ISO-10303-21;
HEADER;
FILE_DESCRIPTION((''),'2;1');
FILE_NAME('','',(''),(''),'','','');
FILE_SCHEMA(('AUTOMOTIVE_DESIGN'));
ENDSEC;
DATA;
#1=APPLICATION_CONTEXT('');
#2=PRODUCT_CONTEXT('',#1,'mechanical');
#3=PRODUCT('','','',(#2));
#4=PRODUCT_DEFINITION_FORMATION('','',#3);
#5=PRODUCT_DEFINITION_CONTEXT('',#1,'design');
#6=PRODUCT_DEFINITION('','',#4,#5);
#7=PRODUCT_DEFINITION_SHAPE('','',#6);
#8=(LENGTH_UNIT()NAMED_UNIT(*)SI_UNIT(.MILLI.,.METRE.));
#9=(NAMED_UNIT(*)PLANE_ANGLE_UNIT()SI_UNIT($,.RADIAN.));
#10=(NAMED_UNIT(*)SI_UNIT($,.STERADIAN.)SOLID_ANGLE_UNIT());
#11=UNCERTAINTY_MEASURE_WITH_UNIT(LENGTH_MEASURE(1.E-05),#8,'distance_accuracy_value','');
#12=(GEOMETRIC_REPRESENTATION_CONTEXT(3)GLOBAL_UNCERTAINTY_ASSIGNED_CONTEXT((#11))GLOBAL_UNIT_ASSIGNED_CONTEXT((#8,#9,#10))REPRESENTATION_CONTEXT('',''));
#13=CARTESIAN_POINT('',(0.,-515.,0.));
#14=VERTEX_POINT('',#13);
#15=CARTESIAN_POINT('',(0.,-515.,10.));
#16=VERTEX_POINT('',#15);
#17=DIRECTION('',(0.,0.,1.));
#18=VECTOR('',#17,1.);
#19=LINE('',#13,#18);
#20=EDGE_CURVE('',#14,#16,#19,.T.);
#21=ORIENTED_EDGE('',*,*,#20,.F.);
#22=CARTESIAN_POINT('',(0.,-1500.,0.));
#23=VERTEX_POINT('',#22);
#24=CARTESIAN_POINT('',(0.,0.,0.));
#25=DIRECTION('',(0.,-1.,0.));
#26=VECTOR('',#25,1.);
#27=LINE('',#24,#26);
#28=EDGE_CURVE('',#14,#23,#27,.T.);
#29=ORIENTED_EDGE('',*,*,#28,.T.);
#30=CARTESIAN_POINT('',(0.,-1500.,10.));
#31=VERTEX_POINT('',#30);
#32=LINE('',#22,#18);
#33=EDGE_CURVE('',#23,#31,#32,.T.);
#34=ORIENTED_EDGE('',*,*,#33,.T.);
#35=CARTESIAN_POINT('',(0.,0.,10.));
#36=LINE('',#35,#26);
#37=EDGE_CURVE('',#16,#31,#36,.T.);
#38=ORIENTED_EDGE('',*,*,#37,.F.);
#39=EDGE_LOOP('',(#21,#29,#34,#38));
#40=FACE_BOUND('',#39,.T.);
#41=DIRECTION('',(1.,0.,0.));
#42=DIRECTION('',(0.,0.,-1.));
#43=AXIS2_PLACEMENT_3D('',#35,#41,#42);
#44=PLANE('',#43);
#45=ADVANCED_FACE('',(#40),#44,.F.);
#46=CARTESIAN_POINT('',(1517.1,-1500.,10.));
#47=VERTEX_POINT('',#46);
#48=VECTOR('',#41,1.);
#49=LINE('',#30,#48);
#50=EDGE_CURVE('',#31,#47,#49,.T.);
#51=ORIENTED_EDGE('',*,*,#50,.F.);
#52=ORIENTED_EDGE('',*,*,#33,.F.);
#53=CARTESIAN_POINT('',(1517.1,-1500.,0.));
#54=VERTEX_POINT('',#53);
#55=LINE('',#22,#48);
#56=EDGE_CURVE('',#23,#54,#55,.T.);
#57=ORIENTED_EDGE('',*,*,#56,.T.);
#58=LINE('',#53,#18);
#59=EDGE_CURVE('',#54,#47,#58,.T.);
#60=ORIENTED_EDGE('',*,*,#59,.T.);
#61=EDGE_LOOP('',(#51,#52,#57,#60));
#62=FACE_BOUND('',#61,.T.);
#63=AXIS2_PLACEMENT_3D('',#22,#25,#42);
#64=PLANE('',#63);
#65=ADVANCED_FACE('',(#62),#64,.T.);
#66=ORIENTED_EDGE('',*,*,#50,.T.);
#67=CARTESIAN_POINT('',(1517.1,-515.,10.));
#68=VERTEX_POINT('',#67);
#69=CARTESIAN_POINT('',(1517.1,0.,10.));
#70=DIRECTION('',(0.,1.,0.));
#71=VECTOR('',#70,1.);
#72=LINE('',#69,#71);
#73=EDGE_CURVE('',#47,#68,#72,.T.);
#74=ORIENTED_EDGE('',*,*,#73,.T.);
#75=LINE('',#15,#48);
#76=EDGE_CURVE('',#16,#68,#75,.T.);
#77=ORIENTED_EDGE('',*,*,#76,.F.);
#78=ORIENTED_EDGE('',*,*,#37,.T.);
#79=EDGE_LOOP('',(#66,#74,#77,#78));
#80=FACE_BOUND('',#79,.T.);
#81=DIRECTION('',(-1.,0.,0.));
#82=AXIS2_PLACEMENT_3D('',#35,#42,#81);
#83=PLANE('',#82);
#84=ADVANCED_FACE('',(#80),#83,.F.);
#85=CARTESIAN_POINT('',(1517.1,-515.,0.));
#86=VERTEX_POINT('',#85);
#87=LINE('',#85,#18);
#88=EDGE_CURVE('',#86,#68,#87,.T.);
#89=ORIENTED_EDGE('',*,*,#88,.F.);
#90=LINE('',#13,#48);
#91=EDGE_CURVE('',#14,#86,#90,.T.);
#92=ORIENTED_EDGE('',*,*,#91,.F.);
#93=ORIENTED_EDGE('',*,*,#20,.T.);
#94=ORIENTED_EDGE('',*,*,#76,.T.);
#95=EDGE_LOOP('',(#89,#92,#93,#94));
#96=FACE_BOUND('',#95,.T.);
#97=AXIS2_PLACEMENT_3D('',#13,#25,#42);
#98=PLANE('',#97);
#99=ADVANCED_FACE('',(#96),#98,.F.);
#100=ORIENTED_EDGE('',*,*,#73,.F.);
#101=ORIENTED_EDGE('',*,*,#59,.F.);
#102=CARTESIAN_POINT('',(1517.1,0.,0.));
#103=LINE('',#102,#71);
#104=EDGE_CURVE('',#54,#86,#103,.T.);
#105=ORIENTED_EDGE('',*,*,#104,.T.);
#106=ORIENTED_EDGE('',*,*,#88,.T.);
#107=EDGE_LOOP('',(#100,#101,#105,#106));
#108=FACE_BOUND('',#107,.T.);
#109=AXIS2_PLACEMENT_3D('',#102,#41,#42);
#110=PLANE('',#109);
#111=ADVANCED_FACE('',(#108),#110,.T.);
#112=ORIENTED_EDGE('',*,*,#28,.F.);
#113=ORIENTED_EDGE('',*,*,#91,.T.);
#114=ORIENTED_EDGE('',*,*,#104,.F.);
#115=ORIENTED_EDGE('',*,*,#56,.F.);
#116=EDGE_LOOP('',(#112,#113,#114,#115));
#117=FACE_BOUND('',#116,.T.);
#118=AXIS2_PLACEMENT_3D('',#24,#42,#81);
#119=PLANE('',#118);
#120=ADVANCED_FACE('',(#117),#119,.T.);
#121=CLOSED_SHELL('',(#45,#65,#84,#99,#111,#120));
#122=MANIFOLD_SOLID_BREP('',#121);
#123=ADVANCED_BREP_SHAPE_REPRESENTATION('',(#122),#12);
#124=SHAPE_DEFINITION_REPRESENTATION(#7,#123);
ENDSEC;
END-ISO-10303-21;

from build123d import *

# Parameters (mm, degrees)
SKETCH2_W           = 1500
SKETCH2_H           = 500
BOSS_EXTRUDE1_DEPTH = 10
SKETCH3_W           = 3000
SKETCH3_H           = 2000
BOSS_EXTRUDE2_DEPTH = 10
CUT_EXTRUDE1_DEPTH  = 10


with BuildPart() as part:
    # Sketch2 → Boss-Extrude1 (new body)
    with BuildSketch(Plane.XY):
        with Locations((750, 250)):
            Rectangle(SKETCH2_W, SKETCH2_H)
    extrude(amount=BOSS_EXTRUDE1_DEPTH)

    # Sketch3 → Boss-Extrude2 (add)
    with BuildSketch(Plane.XY.offset(10)):
        with Locations((1500, -500)):
            Rectangle(SKETCH3_W, SKETCH3_H)
    extrude(amount=-BOSS_EXTRUDE2_DEPTH)

    # Sketch4 → Cut-Extrude1 (cut)
    with BuildSketch(Plane.XY.offset(10)):
        Polygon((1517.1, -515), (1517.1, -1500), (3000, -1500), (3000, 500), (0, 500), (0, -515), align=None)
    extrude(amount=-CUT_EXTRUDE1_DEPTH, mode=Mode.SUBTRACT)


solid = part.part
